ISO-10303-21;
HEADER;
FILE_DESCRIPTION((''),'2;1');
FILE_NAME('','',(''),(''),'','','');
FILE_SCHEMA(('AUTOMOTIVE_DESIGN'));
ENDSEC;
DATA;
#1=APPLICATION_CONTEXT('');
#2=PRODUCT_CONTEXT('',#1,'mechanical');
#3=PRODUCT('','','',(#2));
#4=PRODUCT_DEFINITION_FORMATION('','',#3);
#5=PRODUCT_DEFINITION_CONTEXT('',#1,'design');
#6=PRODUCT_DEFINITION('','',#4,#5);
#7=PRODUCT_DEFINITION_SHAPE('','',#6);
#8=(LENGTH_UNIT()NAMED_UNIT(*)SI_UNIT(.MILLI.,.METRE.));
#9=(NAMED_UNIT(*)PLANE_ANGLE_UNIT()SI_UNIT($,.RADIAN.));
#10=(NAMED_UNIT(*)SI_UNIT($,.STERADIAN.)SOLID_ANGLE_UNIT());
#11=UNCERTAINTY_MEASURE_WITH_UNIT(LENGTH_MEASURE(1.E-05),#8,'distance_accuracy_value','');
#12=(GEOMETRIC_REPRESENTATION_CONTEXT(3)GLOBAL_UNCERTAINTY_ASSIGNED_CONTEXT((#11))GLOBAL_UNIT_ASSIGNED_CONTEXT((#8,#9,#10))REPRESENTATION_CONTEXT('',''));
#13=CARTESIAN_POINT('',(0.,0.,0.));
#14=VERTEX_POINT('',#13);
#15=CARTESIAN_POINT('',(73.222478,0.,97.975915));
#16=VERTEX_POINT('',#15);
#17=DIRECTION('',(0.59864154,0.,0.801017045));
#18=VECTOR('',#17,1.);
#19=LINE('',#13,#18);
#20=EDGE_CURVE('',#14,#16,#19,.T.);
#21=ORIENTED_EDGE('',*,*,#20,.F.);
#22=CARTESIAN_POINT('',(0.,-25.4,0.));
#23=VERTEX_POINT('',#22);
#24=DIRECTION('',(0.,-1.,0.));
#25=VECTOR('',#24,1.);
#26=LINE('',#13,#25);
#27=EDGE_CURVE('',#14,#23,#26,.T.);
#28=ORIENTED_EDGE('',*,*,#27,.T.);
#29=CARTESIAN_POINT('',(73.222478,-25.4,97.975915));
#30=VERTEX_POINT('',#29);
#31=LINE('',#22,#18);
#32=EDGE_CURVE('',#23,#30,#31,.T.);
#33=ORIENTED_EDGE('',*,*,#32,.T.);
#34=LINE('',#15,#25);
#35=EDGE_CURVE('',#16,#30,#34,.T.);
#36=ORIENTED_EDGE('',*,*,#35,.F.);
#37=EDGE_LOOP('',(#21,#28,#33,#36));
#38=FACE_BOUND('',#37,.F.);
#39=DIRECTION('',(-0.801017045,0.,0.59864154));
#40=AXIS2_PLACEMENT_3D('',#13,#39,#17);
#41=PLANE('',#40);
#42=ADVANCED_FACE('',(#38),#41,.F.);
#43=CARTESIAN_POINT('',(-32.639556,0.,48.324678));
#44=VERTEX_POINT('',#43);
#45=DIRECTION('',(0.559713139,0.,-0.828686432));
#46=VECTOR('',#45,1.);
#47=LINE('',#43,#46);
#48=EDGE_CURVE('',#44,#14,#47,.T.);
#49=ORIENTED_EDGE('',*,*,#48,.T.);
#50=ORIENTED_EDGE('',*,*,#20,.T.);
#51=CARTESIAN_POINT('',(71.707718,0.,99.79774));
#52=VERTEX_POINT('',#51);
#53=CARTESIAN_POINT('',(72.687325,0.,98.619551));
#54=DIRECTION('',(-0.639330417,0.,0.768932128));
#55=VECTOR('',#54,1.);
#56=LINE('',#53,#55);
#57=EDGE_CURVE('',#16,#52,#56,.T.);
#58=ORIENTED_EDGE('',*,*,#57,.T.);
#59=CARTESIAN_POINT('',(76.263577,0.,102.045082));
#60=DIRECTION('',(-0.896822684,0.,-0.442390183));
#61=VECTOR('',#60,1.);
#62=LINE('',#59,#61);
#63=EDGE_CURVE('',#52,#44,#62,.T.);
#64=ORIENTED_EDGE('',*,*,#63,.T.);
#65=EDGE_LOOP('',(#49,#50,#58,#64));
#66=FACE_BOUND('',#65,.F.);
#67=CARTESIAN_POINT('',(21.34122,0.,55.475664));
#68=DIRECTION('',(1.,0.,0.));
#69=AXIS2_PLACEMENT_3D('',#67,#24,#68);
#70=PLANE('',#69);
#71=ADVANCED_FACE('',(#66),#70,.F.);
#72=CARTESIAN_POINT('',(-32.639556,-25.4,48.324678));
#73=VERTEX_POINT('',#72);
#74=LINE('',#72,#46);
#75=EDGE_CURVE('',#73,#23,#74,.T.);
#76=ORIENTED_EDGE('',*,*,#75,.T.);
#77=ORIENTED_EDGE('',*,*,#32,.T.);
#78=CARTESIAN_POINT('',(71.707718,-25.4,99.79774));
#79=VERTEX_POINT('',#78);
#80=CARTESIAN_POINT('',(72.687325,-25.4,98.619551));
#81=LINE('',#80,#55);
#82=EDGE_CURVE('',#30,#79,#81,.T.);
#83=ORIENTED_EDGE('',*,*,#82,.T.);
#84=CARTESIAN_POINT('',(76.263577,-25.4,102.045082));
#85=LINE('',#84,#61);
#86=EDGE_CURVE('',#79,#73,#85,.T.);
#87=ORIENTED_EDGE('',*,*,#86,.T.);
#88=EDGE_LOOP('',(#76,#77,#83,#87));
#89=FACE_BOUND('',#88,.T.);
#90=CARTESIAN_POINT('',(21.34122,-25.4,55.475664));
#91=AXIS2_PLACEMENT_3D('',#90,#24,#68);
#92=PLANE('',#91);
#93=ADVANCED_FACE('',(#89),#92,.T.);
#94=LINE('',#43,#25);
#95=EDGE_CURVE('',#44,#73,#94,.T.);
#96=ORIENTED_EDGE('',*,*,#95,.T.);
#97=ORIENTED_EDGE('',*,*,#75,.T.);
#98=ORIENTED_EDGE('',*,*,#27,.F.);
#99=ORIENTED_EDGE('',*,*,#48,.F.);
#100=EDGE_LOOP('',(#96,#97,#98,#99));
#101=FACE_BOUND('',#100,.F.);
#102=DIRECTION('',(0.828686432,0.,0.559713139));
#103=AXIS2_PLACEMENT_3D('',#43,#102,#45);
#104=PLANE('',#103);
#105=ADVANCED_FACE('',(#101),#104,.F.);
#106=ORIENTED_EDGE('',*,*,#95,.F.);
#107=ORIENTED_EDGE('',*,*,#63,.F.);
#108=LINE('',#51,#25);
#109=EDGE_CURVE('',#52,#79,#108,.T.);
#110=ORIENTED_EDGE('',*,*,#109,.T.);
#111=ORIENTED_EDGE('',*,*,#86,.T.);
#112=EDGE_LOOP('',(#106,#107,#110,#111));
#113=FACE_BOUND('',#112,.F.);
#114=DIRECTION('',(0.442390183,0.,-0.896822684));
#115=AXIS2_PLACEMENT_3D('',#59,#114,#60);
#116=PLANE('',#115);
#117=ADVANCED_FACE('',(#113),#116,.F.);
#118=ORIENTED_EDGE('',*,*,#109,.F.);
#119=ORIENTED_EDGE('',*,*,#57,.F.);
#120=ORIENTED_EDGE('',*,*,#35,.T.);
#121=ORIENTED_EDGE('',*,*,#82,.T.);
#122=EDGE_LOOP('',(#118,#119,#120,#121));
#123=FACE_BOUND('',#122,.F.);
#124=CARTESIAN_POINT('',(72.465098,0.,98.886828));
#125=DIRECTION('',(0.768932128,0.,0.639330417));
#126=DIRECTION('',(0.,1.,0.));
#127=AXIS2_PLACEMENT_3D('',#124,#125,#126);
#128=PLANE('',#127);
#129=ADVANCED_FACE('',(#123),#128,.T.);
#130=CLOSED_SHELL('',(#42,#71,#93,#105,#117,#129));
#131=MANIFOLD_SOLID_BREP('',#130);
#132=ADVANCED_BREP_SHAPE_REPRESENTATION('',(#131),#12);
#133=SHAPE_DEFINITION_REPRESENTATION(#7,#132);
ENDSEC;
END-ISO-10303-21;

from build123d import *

# Parameters (mm, degrees)
F1_DEPTH = 25.4
F2_SIZE  = 5.08


with BuildPart() as f1:
    # F0 (on Front) → F1 (new body)
    with BuildSketch(Plane.XZ):
        Polygon((-32.639556, 48.324678), (0, 0), (76.263577, 102.045082), align=None)
    extrude(amount=F1_DEPTH)

    # F2
    f2_edges = [f1.edges().sort_by_distance(p)[0] for p in [
        (76.263577, -12.7, 102.045082),
    ]]
    chamfer(f2_edges, length=F2_SIZE)


solid = f1.part
